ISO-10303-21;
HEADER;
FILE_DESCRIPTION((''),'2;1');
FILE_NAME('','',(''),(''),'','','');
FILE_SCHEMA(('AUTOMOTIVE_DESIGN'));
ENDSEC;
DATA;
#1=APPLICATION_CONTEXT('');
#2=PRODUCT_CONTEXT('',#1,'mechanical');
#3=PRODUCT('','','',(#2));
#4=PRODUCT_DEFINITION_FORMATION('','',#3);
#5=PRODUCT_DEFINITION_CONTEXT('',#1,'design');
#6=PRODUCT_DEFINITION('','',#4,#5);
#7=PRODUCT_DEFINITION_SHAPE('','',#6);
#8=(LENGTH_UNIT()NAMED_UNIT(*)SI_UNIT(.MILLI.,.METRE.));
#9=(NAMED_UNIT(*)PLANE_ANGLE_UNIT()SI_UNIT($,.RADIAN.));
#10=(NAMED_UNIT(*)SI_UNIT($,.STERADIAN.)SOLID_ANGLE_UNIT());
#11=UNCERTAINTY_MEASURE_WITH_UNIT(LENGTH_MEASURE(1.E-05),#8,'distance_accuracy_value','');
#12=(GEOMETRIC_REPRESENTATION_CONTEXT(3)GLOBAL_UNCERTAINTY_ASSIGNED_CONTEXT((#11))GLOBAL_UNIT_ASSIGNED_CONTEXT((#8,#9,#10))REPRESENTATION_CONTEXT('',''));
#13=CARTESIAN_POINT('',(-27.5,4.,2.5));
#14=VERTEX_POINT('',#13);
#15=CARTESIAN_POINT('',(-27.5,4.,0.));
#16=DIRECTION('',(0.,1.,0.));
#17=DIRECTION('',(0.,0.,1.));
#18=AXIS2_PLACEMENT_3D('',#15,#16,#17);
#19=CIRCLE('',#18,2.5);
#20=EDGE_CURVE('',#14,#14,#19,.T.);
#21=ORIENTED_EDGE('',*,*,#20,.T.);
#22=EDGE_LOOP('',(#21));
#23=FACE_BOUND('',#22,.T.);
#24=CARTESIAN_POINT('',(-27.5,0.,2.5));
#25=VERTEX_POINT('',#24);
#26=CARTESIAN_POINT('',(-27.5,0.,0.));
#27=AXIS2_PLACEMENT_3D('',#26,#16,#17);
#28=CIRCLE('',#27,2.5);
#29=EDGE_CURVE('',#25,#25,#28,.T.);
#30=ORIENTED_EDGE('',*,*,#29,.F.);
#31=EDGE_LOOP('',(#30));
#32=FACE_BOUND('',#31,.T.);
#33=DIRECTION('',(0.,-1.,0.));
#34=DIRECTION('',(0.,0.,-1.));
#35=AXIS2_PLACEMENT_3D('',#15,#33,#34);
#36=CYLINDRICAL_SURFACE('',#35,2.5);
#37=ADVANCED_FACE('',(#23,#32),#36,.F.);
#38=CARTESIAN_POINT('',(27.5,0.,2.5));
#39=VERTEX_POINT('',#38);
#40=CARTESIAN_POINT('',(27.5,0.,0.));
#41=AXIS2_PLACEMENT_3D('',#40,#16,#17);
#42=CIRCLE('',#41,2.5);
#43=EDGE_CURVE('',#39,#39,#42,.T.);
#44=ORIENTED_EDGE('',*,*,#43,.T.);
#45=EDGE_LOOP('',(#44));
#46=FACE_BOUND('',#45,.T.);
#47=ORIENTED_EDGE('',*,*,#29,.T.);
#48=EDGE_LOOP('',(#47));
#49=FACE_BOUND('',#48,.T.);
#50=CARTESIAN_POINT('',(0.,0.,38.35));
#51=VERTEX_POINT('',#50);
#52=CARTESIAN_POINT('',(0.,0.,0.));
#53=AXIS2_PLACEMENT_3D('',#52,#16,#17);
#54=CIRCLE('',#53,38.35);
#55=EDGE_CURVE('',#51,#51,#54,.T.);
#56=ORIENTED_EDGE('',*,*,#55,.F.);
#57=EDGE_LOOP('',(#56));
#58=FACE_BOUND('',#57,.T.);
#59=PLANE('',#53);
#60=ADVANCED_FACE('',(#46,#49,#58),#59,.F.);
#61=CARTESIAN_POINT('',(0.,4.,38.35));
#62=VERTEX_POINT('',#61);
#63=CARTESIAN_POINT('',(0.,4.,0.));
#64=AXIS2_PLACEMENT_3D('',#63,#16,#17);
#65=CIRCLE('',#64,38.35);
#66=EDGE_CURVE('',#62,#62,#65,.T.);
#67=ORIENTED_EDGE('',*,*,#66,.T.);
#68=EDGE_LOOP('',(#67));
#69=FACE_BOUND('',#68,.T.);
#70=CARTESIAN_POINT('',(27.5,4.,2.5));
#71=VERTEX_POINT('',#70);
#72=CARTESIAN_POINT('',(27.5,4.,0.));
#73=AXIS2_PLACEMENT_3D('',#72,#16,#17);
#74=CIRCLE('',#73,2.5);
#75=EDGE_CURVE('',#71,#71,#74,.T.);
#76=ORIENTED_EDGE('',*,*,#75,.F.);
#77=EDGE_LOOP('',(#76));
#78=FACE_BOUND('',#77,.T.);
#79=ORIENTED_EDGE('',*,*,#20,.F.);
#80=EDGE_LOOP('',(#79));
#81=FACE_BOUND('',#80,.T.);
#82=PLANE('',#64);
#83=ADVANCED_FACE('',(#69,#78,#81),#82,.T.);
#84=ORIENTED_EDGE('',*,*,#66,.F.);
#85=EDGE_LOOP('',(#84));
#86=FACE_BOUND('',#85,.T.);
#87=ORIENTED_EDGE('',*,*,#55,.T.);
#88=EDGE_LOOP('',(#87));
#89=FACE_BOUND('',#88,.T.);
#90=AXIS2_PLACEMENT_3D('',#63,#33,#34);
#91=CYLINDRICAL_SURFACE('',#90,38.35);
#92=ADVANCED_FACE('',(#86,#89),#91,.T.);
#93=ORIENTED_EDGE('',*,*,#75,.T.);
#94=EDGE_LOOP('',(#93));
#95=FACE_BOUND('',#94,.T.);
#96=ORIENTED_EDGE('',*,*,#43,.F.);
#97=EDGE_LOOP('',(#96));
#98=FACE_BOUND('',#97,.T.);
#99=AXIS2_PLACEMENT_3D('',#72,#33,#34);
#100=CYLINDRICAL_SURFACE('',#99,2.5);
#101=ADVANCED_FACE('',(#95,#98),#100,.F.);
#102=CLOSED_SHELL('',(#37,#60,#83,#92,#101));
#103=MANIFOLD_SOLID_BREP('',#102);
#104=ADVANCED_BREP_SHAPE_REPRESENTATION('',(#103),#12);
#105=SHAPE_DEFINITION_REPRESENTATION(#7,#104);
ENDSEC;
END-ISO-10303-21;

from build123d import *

# Parameters (mm, degrees)
SKETCH1_R           = 38.35
SKETCH1_R_2         = 2.5
BOSS_EXTRUDE1_DEPTH = 4


with BuildPart() as part:
    # Sketch1 → Boss-Extrude1 (new body)
    with BuildSketch(Plane(origin=(0, 0, 0), x_dir=(1, 0, 0), z_dir=(0, 1, 0))):
        with Locations(Location((0, 0, 0), (0, 0, 270))):
            Circle(SKETCH1_R)
        with Locations(Location((-27.5, 0, 0), (0, 0, 270))):
            Circle(SKETCH1_R_2, mode=Mode.SUBTRACT)
        with Locations(Location((27.5, 0, 0), (0, 0, 270))):
            Circle(SKETCH1_R_2, mode=Mode.SUBTRACT)
    extrude(amount=BOSS_EXTRUDE1_DEPTH)


solid = part.part
